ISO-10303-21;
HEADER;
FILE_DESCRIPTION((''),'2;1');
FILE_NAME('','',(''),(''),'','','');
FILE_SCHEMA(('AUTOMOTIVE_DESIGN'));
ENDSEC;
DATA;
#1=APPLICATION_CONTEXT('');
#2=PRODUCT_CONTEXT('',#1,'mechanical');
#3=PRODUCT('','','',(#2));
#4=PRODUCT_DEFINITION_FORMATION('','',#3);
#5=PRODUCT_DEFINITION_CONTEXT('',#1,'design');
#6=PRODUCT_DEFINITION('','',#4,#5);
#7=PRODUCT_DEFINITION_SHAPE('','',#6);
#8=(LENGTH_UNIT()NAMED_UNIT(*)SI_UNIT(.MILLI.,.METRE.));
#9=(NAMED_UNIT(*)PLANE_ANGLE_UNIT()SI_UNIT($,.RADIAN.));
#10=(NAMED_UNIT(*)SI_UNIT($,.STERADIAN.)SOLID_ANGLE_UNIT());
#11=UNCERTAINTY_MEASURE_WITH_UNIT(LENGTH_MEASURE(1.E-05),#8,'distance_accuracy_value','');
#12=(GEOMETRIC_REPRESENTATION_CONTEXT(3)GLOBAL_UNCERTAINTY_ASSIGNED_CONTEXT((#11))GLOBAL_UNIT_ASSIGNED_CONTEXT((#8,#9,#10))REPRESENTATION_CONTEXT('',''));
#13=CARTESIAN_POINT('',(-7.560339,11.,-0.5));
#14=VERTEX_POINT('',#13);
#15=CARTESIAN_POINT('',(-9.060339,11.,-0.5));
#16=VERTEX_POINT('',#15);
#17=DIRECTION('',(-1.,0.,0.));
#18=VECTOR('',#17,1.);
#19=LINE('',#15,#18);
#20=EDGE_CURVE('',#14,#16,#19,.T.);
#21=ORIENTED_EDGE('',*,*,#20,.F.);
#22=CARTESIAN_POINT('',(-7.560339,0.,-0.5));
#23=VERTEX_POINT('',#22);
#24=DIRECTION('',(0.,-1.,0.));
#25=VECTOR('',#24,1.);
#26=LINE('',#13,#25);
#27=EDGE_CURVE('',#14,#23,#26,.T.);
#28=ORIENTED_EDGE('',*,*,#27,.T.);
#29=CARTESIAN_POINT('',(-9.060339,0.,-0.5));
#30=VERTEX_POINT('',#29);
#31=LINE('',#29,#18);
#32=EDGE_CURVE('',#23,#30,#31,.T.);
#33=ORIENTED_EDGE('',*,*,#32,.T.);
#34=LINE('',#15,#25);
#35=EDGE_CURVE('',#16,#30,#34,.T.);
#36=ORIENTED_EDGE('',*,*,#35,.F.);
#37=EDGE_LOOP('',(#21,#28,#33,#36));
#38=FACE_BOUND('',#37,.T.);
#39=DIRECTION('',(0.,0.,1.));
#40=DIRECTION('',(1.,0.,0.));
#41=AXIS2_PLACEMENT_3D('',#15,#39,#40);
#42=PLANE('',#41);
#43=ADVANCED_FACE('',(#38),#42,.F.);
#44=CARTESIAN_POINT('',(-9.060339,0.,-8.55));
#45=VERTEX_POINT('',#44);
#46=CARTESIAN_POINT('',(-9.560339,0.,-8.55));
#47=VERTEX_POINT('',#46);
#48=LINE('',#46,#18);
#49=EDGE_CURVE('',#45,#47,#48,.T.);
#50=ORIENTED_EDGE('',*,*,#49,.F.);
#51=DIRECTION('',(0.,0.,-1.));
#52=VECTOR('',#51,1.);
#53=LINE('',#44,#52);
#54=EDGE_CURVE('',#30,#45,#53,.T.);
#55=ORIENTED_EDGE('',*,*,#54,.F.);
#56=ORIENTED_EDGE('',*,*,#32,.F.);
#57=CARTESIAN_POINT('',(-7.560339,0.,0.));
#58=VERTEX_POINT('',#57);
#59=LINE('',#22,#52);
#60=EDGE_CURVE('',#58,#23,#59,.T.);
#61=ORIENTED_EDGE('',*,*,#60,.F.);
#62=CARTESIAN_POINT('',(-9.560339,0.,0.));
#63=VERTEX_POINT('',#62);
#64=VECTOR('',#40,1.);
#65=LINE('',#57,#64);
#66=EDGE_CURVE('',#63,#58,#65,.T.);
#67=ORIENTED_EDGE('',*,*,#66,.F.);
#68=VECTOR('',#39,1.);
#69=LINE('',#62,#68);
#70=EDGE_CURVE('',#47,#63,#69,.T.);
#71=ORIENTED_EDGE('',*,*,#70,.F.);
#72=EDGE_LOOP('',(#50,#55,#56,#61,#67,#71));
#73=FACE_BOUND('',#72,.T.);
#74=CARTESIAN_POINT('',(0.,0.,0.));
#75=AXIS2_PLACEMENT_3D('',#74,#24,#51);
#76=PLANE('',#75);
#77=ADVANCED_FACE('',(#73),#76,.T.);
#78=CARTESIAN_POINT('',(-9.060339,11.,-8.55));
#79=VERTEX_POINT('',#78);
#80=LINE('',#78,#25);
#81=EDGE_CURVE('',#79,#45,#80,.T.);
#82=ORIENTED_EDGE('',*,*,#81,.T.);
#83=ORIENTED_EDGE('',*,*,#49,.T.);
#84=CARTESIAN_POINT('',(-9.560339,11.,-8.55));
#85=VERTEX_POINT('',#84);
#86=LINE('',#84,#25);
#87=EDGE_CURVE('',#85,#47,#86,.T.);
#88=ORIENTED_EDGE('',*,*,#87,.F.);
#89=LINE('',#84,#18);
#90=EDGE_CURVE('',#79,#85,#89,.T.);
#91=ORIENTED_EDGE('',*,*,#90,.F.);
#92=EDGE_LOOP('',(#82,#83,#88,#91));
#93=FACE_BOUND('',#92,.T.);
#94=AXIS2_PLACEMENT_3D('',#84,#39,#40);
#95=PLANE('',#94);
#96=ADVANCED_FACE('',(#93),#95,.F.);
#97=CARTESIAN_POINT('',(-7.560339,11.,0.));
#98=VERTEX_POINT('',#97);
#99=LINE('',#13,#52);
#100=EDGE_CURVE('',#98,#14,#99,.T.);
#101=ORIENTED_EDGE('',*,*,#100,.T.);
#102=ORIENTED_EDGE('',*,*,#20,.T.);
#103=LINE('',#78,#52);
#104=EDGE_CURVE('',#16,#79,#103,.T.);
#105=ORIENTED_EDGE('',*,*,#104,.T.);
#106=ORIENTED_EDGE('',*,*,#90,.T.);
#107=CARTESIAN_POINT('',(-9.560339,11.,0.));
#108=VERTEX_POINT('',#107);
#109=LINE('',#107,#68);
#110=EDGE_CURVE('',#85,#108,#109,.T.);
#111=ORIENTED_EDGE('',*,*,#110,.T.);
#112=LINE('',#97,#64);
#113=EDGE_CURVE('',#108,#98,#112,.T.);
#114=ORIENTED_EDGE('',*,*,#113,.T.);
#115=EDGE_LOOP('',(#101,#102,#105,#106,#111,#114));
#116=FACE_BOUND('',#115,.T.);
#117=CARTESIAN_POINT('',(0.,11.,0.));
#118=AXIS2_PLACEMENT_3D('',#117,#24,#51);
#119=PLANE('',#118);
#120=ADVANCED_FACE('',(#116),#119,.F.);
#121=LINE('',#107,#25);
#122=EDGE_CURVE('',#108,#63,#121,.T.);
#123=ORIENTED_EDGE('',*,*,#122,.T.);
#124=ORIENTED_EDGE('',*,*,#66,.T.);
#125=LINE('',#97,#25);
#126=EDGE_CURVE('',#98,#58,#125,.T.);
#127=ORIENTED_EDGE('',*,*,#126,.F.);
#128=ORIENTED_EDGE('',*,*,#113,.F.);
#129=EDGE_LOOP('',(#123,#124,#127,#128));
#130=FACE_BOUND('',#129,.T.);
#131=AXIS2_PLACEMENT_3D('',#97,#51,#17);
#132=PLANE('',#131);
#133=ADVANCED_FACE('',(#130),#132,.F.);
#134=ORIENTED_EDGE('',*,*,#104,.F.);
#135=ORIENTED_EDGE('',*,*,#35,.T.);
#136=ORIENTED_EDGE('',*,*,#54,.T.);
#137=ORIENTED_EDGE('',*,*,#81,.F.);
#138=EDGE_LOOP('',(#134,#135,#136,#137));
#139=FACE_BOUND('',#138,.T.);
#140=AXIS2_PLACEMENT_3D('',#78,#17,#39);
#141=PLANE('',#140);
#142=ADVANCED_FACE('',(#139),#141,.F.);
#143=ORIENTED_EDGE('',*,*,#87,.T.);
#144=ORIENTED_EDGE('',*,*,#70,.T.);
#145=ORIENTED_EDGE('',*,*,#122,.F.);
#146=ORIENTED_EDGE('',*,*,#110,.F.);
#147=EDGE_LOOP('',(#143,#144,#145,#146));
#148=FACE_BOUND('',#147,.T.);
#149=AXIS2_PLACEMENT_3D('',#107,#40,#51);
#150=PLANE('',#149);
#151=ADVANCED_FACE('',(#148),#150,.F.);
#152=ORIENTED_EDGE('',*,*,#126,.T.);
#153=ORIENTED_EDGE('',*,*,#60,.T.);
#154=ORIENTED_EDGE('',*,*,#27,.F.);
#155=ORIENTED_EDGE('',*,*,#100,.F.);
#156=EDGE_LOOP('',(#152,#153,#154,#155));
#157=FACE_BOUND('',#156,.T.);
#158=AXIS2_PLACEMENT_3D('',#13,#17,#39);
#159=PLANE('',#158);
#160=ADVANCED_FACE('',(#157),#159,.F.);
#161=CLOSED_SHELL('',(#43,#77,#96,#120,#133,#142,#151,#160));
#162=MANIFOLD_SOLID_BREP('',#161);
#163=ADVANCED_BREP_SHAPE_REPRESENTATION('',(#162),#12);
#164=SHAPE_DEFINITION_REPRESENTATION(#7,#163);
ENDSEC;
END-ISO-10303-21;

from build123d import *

# Parameters (mm, degrees)
BOSS_EXTRUDE1_DEPTH = 11


with BuildPart() as part:
    # Sketch1 → Boss-Extrude1 (new body)
    with BuildSketch(Plane(origin=(0, 0, 0), x_dir=(1, 0, 0), z_dir=(0, 1, 0))):
        Polygon((-7.560339292, 0), (-9.560339292, 0), (-9.560339292, 8.55), (-9.060339292, 8.55), (-9.060339292, 0.5), (-7.560339292, 0.5), align=None)
    extrude(amount=BOSS_EXTRUDE1_DEPTH)


solid = part.part
